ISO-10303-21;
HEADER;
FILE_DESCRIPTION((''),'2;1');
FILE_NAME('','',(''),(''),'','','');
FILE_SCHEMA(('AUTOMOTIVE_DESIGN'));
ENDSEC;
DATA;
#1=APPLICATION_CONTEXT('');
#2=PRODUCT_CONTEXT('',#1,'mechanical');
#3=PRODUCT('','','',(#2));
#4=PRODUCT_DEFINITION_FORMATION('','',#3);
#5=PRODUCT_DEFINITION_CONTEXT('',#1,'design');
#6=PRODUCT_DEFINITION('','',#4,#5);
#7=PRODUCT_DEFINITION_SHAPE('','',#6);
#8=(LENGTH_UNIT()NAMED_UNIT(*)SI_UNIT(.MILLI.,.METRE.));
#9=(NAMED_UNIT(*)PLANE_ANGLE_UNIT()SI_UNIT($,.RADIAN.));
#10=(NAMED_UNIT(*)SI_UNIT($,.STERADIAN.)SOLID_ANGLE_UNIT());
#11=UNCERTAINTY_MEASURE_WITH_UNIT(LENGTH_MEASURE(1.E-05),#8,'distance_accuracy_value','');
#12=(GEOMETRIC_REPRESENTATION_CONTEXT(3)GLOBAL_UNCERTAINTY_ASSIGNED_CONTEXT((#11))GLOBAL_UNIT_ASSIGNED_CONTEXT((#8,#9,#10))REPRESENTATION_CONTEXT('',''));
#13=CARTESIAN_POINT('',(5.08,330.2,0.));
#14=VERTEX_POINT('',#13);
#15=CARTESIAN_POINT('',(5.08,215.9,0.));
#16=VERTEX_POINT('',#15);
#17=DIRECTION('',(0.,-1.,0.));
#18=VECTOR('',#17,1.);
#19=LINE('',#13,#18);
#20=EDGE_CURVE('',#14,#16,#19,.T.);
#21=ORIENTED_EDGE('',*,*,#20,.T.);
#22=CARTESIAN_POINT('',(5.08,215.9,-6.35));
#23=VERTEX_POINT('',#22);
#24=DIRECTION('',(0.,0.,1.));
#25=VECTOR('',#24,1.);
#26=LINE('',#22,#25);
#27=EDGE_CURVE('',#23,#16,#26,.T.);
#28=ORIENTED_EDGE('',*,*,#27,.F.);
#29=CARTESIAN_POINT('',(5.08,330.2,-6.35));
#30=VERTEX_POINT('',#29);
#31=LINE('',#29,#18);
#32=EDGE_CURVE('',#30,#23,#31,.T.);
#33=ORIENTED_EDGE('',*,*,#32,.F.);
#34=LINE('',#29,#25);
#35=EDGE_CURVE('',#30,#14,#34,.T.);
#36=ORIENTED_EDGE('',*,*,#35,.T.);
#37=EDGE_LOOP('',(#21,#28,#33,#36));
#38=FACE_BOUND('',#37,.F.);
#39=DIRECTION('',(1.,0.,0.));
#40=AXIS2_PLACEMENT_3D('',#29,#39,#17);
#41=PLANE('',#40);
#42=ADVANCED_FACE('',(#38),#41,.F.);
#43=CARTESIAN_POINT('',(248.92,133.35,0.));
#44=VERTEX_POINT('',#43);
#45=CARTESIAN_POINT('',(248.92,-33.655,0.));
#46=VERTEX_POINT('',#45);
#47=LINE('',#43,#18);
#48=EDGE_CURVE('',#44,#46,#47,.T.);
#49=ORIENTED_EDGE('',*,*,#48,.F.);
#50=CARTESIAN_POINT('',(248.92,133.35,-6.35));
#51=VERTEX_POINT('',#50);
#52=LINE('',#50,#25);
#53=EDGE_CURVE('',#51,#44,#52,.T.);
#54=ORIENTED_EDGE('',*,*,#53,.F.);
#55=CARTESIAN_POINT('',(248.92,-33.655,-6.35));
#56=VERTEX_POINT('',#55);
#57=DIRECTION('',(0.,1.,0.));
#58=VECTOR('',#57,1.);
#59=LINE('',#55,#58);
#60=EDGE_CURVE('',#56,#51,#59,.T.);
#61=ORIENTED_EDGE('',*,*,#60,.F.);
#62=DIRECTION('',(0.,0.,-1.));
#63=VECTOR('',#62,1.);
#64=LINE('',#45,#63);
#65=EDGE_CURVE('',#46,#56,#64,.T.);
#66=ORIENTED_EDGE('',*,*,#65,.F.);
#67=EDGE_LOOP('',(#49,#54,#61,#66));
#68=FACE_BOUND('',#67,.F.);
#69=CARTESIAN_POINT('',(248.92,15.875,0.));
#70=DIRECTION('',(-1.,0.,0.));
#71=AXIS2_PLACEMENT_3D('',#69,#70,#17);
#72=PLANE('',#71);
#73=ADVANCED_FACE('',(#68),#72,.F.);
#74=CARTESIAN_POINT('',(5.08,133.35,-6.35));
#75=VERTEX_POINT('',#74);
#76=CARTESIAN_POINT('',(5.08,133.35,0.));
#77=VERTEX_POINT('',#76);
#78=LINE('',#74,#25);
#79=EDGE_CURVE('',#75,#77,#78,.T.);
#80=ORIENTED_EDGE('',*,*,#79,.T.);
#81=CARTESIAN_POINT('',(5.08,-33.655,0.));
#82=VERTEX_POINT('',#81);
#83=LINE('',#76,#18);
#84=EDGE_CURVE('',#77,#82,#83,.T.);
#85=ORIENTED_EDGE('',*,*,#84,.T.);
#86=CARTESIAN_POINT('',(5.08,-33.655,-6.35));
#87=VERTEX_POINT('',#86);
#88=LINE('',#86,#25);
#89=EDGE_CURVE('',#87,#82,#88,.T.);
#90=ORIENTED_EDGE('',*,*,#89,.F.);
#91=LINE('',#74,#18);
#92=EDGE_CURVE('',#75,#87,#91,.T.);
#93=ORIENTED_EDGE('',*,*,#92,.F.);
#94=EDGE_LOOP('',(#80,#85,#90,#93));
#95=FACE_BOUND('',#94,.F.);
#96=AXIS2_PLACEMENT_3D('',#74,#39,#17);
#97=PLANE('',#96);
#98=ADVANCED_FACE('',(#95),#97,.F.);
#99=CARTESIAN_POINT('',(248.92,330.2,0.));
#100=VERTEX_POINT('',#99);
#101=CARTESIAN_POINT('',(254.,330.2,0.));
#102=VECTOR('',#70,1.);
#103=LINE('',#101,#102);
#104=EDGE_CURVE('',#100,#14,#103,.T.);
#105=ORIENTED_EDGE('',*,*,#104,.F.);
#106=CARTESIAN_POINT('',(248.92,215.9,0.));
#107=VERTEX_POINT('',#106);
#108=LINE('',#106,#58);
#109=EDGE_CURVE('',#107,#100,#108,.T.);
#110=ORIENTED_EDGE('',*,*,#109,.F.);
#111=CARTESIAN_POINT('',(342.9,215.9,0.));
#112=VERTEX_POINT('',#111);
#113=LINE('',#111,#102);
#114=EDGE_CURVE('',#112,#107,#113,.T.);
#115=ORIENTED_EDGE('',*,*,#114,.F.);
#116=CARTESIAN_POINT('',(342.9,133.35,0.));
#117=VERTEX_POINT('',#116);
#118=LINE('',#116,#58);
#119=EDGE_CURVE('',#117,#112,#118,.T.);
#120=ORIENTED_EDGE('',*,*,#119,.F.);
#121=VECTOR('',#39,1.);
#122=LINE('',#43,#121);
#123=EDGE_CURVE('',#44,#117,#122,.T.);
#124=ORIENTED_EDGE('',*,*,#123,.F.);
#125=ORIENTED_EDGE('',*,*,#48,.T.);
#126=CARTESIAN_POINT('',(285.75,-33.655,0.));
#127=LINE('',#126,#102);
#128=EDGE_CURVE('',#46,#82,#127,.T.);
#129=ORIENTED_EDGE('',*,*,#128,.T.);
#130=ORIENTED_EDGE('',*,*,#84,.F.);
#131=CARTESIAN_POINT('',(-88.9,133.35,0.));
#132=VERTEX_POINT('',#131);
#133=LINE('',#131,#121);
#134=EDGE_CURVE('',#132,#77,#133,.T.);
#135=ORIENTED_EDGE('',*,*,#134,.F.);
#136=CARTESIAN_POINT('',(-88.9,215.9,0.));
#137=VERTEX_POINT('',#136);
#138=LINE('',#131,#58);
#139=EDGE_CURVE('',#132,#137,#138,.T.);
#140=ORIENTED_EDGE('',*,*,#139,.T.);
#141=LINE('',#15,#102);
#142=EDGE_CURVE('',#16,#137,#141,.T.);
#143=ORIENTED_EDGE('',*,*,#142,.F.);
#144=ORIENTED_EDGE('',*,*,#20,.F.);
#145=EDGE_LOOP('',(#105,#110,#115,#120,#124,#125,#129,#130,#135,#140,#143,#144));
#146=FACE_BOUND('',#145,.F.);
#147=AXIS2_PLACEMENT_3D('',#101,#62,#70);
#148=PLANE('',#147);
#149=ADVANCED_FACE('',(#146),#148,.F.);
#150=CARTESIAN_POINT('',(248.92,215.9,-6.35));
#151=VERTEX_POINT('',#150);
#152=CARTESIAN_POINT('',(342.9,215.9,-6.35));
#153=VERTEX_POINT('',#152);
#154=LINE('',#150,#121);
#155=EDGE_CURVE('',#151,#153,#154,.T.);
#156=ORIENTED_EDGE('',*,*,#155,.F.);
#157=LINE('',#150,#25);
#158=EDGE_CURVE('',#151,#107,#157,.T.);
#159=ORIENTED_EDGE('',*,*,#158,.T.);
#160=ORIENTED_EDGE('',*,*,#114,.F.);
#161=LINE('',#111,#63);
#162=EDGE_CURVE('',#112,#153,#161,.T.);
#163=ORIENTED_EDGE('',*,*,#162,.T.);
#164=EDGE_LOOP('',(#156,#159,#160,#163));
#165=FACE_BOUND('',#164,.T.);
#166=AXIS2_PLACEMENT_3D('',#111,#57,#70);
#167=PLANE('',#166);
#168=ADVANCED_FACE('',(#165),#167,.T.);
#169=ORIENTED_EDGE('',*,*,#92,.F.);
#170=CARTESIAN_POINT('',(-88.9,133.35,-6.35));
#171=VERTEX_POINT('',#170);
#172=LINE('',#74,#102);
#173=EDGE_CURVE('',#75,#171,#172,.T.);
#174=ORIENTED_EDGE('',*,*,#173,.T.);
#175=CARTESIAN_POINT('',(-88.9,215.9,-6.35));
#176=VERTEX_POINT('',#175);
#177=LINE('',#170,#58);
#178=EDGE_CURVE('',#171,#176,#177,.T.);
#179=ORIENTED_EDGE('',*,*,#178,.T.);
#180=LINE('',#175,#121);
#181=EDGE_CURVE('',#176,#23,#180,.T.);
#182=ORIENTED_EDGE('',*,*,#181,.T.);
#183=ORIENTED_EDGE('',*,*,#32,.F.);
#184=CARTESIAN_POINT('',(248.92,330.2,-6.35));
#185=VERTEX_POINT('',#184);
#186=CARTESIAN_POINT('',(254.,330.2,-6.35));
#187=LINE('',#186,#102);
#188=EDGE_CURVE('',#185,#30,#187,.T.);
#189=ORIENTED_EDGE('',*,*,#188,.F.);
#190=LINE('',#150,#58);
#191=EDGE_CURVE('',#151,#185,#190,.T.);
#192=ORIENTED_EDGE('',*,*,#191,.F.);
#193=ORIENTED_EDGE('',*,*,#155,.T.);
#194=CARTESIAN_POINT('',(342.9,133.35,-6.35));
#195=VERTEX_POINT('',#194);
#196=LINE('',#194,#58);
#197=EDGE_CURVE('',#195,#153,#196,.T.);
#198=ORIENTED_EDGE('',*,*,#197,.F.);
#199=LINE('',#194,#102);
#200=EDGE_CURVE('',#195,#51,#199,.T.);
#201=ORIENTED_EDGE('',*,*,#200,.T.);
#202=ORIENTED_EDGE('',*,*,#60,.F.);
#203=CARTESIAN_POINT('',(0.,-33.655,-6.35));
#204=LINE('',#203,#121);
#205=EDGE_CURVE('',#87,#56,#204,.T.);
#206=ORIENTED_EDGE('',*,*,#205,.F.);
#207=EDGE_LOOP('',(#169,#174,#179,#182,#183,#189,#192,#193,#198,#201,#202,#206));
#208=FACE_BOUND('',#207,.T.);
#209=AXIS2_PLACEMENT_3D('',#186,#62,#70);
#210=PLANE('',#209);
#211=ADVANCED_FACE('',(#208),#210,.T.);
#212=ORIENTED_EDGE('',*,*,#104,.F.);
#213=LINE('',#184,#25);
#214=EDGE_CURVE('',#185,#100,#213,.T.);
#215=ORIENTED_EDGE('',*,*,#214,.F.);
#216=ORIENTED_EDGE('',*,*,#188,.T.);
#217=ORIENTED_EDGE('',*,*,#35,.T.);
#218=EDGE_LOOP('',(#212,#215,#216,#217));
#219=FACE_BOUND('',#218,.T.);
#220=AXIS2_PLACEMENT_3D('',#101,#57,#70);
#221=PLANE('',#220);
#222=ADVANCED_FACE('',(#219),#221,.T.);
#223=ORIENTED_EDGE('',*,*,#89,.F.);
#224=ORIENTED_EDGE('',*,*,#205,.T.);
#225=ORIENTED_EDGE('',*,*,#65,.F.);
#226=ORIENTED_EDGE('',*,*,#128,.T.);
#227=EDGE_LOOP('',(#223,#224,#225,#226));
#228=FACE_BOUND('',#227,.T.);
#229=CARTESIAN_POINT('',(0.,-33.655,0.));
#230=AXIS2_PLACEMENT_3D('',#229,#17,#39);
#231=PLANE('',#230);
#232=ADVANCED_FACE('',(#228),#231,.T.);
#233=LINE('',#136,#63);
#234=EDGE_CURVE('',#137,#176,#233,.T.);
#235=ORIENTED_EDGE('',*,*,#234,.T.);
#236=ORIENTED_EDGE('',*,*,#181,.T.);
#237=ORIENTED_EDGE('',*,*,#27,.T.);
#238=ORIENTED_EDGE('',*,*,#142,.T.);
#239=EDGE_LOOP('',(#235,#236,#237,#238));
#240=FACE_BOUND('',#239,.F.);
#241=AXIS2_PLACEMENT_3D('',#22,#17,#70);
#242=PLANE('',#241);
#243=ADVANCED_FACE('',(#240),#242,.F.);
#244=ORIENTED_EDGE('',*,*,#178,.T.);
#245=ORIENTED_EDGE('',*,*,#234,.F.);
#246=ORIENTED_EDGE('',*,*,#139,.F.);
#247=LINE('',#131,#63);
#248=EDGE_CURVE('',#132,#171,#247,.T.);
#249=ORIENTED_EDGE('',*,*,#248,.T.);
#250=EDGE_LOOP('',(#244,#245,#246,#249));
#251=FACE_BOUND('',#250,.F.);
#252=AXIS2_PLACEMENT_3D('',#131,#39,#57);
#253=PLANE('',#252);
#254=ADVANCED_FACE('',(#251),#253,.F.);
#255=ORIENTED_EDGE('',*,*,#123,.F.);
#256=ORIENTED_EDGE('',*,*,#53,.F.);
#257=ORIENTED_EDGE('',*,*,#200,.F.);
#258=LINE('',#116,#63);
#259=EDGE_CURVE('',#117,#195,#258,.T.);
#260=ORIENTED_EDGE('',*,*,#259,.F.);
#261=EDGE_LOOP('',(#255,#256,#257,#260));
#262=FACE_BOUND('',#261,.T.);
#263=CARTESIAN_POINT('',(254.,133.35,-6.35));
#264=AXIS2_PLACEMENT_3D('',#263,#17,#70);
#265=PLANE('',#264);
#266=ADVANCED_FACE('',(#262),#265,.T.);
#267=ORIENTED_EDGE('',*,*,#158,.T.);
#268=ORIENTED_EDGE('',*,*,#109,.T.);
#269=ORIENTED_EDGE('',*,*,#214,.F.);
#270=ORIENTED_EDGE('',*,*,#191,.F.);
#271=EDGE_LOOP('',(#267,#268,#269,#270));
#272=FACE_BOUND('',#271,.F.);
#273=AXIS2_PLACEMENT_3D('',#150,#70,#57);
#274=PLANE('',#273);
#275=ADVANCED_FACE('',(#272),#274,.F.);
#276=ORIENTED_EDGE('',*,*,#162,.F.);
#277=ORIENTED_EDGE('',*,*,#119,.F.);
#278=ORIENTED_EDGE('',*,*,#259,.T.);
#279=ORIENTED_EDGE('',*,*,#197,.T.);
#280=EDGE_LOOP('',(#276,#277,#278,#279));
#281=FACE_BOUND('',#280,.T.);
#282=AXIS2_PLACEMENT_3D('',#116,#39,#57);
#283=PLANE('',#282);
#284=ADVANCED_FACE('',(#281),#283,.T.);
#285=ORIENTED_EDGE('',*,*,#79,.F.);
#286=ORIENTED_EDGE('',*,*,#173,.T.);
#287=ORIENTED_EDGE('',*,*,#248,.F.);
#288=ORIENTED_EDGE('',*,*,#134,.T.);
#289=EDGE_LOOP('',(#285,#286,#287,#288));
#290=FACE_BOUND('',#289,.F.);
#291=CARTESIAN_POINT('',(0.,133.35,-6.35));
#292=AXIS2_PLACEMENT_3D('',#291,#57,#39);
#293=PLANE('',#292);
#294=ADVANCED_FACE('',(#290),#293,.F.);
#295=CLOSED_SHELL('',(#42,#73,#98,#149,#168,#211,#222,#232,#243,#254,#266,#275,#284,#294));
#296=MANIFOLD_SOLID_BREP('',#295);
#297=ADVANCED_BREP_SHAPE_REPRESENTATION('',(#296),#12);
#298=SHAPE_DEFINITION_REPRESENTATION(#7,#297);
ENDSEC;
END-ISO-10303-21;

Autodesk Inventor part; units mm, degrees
ref_plane "YZ Plane" through (0, 0, 0) normal (1, 0, 0) x (0, 1, 0)
ref_plane "Work Plane32" through (254, 330.2, 0) normal (0, 0, -1) x (-1, 0, 0)
sketch "Sketch36" plane through (254, 330.2, 0) normal (0, 0, -1) x (-1, 0, 0)
  line L0 (254, -363.855) -> (254, -196.85) projected
  line L1 (0, 0) -> (0, -114.3) projected
  line L2 (254, -363.855) -> (0, -363.855)
  line L3 (0, -363.855) -> (0, 0)
  line L4 (0, 0) -> (254, 0)
  line L5 (254, 0) -> (254, -363.855)
  line L6 (342.9, -196.85) -> (342.9, -114.3) projected
  line L7 (342.9, -196.85) -> (254, -196.85)
  line L8 (254, -196.85) -> (254, -114.3)
  line L9 (254, -114.3) -> (342.9, -114.3)
  line L10 (342.9, -114.3) -> (342.9, -196.85)
  line L11 (-31.75, -363.855) -> (254, -363.855) projected
  line L12 (0, -314.325) -> (0, -196.85) projected
  line L13 (-31.75, -363.855) -> (0, -363.855)
  line L14 (0, -363.855) -> (0, -314.325)
  line L15 (0, -314.325) -> (-31.75, -314.325)
  line L16 (-31.75, -314.325) -> (-31.75, -363.855)
  line L17 (0, -196.85) -> (-88.9, -196.85)
  line L18 (-88.9, -196.85) -> (-88.9, -114.3)
  line L19 (-88.9, -114.3) -> (0, -114.3)
  line L20 (0, -114.3) -> (0, -196.85)
  dimension "d412" = 82.55
  dimension "d413" = 254
  dimension "d414" = 31.75
extrude "Extrusion20" add sketch "Sketch36" along normal blind 6.35
ref_plane "Work Plane28" through (254, 330.2, -6.35) normal (0, 0, -1) x (-1, 0, 0)
sketch "Sketch39" plane through (254, 330.2, -6.35) normal (0, 0, -1) x (-1, 0, 0)
  line L0 (0, -196.85) -> (0, -314.325) projected
  line L1 (0, -196.85) -> (5.08, -196.85)
  line L2 (5.08, -196.85) -> (5.08, -314.325)
  line L3 (5.08, -314.325) -> (0, -314.325)
  line L4 (0, -314.325) -> (0, -196.85)
  line L5 (254, -363.855) -> (254, -196.85) projected
  line L6 (-31.75, -363.855) -> (254, -363.855) projected
  line L7 (254, -196.85) -> (248.92, -196.85)
  line L8 (248.92, -196.85) -> (248.92, -363.855)
  line L9 (248.92, -363.855) -> (254, -363.855)
  line L10 (254, -363.855) -> (254, -196.85)
  line L11 (0, -114.3) -> (-88.9, -114.3) projected
  line L12 (254, 0) -> (0, 0) projected
  line L13 (0, -114.3) -> (5.08, -114.3)
  line L14 (5.08, -114.3) -> (5.08, 0)
  line L15 (5.08, 0) -> (0, 0)
  line L16 (0, 0) -> (0, -114.3)
  line L17 (254, 0) -> (248.92, 0)
  line L18 (248.92, 0) -> (248.92, -114.3)
  line L19 (248.92, -114.3) -> (254, -114.3)
  line L20 (254, -114.3) -> (254, 0)
  point P0 (254, -330.2)
  dimension "d415" = 5.08
  dimension "d416" = 5.08
  dimension "d417" = 5.08
extrude "Extrusion22" cut sketch "Sketch39" against normal blind 6.35
sketch "Sketch41" plane through (254, 330.2, 0) normal (0, 0, 1) x (1, 0, 0)
  line L0 (-5.08, -314.325) -> (31.75, -314.325) projected
  line L1 (31.75, -363.855) -> (-248.92, -363.855) projected
  line L2 (31.75, -314.325) -> (-5.08, -314.325)
  line L3 (-5.08, -314.325) -> (-5.08, -363.855)
  line L4 (-5.08, -363.855) -> (31.75, -363.855)
  line L5 (31.75, -363.855) -> (31.75, -314.325)
  point P0 (-254, -330.2)
  dimension "d448" = 36.83
extrude "Extrusion24" cut sketch "Sketch41" against normal blind 6.35
properties part number "20Gen2PlatePart"
